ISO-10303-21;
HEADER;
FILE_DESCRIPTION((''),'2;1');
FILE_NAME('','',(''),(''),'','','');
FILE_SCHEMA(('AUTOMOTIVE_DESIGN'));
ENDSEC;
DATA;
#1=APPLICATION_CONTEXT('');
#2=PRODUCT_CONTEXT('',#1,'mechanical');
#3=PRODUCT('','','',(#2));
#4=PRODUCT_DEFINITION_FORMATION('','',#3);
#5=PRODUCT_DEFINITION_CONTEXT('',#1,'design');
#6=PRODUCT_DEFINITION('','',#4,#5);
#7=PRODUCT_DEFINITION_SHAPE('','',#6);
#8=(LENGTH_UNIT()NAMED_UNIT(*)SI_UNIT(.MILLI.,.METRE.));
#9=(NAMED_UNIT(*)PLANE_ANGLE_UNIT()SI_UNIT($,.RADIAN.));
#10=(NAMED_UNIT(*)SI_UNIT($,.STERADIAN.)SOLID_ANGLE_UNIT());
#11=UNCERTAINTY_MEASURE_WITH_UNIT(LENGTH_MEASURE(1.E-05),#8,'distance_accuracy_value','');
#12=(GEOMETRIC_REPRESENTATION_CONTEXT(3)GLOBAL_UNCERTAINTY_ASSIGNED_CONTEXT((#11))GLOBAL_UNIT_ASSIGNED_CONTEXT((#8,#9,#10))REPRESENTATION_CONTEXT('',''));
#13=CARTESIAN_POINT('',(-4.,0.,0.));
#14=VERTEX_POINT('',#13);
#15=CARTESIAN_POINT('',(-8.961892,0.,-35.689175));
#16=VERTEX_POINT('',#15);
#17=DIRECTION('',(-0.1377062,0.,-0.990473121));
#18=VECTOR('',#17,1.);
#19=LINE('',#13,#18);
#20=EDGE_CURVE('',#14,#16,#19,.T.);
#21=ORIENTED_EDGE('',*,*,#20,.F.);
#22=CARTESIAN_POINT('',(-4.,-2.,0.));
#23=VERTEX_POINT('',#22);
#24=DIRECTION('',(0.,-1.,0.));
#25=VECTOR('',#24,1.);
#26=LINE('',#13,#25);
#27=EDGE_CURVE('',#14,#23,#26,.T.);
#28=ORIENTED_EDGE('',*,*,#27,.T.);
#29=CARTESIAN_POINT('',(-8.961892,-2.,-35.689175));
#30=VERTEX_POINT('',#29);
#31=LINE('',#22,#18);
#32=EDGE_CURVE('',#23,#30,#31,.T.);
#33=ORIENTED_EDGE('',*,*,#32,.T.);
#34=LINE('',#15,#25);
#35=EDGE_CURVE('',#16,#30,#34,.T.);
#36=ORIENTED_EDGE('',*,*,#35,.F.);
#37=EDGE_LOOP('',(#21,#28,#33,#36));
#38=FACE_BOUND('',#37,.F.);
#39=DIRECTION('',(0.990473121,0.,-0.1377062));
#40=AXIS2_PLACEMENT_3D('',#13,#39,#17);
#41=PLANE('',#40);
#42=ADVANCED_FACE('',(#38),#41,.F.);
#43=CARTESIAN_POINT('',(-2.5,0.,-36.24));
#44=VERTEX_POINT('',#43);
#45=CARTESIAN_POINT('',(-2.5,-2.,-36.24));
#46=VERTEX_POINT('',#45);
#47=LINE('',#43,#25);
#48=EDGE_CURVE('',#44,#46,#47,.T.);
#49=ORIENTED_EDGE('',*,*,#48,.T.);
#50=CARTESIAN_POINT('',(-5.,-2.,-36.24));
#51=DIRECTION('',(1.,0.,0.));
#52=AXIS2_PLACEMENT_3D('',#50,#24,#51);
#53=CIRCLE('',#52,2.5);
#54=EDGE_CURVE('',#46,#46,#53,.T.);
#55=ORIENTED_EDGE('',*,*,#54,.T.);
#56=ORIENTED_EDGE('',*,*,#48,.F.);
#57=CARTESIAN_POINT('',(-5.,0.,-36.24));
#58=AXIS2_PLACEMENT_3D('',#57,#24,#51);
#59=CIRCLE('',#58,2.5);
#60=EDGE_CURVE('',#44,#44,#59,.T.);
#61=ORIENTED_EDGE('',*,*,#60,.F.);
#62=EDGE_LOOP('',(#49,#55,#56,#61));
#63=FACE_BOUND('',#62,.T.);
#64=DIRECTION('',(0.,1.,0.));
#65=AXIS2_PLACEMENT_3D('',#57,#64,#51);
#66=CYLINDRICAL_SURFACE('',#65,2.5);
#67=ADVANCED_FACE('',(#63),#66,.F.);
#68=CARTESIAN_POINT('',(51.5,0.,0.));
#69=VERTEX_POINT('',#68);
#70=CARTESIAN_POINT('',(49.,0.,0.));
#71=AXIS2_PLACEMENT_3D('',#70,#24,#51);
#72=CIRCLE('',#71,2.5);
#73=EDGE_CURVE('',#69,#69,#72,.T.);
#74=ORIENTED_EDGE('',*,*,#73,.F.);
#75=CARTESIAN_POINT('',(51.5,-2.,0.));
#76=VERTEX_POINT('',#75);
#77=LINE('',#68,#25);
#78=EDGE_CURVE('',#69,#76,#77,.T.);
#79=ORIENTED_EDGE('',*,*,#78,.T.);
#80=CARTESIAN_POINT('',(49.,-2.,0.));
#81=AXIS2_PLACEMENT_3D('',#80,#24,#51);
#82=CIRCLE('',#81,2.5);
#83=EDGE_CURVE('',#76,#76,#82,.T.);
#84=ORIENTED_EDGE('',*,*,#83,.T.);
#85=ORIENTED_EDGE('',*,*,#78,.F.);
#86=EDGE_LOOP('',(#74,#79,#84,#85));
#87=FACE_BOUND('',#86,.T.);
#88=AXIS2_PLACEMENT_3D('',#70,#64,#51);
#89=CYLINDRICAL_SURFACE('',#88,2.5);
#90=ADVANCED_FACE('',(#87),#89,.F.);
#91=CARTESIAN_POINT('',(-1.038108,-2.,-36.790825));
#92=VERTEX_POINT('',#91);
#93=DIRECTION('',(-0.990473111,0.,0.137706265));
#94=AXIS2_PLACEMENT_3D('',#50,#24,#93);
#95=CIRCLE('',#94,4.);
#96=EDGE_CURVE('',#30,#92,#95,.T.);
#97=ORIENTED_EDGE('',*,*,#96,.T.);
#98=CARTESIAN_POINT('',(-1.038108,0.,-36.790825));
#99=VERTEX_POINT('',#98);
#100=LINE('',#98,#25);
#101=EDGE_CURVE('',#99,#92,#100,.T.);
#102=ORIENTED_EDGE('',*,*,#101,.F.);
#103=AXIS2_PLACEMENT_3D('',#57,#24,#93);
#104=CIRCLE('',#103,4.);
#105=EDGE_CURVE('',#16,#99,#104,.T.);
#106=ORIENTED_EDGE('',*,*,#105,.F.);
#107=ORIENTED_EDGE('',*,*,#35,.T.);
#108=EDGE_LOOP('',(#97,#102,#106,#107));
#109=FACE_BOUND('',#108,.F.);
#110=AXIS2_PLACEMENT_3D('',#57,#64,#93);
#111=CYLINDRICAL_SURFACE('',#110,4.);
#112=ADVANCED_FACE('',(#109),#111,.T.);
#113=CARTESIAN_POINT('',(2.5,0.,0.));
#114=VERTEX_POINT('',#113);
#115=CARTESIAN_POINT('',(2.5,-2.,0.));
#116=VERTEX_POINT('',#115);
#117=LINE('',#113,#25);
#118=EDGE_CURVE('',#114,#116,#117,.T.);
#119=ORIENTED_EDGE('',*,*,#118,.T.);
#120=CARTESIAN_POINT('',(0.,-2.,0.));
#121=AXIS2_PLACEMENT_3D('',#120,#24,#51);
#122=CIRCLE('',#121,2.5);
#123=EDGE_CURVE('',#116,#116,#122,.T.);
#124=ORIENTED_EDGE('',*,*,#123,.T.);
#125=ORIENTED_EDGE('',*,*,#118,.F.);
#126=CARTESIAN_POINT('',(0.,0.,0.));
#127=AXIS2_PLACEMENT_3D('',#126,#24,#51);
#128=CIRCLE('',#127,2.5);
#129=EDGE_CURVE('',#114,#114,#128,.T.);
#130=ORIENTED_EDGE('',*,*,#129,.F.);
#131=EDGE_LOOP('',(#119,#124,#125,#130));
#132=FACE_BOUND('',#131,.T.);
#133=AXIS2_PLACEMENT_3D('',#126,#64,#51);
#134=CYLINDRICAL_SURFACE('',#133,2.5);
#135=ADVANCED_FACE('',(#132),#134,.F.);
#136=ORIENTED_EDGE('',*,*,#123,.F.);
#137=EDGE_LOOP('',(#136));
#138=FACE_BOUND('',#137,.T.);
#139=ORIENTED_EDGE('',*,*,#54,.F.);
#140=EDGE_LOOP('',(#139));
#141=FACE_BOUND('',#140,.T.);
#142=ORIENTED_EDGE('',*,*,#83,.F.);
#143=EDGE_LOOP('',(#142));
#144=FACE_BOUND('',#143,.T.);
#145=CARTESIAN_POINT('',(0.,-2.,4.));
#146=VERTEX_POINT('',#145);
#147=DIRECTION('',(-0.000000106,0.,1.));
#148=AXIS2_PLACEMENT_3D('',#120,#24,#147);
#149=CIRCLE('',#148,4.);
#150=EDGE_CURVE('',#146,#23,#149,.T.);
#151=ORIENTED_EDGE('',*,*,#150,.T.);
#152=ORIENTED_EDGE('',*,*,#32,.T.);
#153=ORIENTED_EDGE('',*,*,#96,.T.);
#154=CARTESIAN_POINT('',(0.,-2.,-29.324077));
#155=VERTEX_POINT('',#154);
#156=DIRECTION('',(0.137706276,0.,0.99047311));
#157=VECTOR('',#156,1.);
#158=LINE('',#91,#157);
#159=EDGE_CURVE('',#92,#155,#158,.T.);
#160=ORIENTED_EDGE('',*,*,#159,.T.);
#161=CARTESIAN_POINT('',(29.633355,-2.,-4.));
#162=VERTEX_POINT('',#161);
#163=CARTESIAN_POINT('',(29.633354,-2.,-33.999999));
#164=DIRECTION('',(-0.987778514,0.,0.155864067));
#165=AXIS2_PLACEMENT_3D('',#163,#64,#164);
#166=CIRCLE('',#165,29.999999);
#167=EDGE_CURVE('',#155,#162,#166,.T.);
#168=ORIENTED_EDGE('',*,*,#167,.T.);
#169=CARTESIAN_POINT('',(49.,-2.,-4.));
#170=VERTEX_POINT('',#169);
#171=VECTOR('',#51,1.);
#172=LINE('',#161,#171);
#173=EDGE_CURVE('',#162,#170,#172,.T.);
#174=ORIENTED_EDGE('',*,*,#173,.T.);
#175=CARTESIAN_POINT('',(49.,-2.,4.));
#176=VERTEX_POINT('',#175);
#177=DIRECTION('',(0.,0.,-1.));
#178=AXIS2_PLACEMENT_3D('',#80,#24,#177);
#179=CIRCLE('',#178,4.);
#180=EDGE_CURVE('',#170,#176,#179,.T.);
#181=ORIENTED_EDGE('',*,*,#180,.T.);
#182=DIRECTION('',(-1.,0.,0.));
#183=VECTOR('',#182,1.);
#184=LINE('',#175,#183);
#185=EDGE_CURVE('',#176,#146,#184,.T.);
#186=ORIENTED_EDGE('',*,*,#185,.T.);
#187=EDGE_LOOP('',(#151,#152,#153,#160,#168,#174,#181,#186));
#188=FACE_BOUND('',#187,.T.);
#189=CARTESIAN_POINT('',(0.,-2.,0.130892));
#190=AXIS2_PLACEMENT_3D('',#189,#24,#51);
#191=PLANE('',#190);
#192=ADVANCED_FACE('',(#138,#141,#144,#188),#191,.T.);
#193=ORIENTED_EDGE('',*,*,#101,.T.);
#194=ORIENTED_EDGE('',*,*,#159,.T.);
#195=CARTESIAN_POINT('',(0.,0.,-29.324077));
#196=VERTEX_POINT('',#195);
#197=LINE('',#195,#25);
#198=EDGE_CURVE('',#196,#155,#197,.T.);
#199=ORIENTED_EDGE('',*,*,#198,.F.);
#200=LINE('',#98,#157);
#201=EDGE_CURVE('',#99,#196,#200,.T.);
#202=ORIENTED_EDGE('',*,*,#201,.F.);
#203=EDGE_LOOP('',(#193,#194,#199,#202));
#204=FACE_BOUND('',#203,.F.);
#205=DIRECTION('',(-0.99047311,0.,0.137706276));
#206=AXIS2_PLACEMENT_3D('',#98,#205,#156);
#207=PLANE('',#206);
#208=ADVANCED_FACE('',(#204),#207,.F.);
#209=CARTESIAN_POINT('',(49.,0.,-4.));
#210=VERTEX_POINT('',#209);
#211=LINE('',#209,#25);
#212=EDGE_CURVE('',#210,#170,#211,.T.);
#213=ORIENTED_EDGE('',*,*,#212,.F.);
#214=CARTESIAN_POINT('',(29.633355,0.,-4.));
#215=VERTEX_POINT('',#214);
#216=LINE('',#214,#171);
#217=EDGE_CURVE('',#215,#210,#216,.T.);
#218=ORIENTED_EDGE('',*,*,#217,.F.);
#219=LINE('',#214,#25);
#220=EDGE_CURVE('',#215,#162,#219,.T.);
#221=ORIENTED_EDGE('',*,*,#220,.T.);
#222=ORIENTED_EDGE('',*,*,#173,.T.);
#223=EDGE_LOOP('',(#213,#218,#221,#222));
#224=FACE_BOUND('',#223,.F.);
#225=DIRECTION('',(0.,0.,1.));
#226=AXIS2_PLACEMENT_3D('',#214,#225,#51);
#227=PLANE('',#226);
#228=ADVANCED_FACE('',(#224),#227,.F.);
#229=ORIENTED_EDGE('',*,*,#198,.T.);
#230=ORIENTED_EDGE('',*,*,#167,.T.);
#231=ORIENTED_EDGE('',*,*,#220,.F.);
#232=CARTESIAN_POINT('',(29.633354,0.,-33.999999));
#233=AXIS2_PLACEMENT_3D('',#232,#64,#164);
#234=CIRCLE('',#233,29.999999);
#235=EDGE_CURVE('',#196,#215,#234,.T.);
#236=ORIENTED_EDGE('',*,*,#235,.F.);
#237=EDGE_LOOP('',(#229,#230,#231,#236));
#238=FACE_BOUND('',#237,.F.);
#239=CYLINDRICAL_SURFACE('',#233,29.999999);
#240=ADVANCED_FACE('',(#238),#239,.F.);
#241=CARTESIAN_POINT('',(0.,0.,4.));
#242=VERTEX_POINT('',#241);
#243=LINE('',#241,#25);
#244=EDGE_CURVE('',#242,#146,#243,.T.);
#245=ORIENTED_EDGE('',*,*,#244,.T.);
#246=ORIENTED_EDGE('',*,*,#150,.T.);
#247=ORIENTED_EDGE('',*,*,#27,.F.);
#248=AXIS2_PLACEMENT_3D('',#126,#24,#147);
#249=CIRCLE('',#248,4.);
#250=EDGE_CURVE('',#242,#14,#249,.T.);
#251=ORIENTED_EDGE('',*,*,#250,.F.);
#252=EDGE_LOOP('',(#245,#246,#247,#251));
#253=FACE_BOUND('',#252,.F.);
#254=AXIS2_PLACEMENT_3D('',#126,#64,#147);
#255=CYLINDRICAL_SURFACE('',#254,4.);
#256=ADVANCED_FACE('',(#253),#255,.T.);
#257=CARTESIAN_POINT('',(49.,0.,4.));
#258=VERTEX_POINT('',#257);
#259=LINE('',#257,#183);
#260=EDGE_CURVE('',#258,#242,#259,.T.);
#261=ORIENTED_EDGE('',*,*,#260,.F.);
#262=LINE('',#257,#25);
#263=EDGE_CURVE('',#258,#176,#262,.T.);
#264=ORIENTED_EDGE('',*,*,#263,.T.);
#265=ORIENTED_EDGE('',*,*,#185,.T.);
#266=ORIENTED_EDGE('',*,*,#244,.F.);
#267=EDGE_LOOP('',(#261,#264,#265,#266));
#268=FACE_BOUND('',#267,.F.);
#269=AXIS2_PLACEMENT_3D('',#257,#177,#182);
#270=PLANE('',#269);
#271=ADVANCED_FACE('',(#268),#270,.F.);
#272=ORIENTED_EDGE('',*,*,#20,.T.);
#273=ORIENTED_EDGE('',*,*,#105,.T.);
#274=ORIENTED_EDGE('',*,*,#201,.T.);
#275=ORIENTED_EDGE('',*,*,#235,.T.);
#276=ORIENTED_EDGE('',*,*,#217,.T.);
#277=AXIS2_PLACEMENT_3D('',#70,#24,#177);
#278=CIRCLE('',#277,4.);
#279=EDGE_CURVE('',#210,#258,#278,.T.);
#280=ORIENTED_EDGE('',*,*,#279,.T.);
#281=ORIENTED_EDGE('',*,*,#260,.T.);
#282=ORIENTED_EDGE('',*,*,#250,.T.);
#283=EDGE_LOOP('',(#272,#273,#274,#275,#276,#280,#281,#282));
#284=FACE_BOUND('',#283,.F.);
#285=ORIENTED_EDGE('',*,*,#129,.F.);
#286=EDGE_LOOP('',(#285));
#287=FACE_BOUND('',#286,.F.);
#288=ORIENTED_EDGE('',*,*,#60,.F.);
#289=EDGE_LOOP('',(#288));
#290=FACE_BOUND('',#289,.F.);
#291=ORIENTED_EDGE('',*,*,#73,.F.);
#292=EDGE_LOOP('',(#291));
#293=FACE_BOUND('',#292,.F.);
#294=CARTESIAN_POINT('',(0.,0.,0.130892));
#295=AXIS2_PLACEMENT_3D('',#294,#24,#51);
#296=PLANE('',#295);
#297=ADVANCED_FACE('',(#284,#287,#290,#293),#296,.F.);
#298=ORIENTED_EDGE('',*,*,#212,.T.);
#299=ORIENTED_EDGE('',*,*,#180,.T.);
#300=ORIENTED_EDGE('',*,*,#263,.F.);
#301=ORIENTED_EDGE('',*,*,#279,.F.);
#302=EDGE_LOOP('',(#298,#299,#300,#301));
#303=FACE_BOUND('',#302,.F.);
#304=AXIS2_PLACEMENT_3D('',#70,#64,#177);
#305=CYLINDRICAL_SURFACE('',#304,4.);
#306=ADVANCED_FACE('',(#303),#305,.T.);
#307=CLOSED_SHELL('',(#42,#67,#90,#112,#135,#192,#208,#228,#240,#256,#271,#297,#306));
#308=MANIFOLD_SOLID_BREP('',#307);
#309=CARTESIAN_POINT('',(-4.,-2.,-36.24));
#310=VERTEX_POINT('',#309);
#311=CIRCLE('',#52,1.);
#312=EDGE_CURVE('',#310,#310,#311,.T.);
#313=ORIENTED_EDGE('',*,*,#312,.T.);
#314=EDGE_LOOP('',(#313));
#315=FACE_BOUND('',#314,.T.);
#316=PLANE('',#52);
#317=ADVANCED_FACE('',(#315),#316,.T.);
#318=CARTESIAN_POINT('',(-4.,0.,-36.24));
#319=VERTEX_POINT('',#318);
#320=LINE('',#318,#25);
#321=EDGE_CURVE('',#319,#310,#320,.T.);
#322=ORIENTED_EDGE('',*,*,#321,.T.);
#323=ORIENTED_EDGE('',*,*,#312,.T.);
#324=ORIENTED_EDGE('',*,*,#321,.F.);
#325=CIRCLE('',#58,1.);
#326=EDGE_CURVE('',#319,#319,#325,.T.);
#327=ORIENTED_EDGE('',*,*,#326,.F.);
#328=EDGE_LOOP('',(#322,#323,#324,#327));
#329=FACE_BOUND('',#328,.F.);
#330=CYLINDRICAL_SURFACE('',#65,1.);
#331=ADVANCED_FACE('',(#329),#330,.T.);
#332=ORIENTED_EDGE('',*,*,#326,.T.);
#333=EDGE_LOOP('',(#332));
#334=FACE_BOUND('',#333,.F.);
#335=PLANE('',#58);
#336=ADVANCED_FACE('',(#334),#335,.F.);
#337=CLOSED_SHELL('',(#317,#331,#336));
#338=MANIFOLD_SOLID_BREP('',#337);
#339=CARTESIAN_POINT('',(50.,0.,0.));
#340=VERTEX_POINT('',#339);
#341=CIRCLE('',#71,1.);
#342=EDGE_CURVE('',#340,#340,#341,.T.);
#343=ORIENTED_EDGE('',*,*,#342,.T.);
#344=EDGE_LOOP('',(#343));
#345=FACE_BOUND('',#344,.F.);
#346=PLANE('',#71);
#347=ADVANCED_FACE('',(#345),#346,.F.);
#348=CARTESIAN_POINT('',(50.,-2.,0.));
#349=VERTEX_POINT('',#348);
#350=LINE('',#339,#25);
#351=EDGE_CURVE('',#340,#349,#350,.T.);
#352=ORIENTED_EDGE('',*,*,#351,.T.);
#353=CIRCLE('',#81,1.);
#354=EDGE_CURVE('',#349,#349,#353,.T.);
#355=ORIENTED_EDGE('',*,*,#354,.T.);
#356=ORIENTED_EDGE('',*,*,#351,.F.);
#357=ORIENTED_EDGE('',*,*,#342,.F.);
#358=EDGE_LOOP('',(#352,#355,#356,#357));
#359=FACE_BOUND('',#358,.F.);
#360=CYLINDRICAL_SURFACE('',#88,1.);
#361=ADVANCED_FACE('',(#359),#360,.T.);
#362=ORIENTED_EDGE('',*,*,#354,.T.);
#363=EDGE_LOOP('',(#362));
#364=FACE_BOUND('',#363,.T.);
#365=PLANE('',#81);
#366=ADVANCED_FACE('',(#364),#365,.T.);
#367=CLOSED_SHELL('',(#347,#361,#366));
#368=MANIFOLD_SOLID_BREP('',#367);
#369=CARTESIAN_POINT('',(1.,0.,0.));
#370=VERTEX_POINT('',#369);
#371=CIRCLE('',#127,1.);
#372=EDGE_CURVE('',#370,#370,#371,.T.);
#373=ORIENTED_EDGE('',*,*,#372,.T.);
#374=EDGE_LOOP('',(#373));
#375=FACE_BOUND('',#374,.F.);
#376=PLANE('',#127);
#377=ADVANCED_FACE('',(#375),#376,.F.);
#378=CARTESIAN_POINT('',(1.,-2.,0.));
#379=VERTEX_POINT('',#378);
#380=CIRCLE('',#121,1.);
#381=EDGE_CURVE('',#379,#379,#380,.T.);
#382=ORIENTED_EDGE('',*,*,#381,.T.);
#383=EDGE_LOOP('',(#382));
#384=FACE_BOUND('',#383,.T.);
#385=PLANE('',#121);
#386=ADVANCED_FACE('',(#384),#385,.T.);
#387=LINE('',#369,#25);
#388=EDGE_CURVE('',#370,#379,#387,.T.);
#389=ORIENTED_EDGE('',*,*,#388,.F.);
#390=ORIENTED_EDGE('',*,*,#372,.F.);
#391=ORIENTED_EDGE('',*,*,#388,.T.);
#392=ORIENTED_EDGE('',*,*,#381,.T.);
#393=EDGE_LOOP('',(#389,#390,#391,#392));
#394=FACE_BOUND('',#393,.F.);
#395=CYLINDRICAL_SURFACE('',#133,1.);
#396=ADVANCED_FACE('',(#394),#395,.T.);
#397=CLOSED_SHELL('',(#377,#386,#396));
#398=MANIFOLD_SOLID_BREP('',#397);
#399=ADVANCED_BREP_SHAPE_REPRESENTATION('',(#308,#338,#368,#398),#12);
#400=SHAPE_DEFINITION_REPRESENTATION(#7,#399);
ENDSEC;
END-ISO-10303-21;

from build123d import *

# Parameters (mm, degrees)
F0_R     = 2.5
F1_DEPTH = 2
F2_R     = 1
F3_DEPTH = 2


with BuildPart() as f1:
    # F0 (on Front) → F1 (new body)
    with BuildSketch(Plane.XZ):
        with BuildLine():
            ThreePointArc((-4, 0), (0, -4), (4, 0))
            ThreePointArc((4, 0), (2.828427, 2.828427), (0, 4))
            ThreePointArc((0, 4), (-2.828427, 2.828427), (-4, 0))
        make_face()
        Circle(F0_R, mode=Mode.SUBTRACT)
        with BuildLine():
            ThreePointArc((0, 4), (2.828427, 2.828427), (4, 0))
            ThreePointArc((4, 0), (0, -4), (-4, 0))
            Line((-4, 0), (-8.961892, -35.689175))
            ThreePointArc((-8.961892, -35.689175), (-5.550825, -40.201892), (-1.038108, -36.790825))
            Line((-1.038108, -36.790825), (0, -29.324077))
            ThreePointArc((0, -29.324077), (10.143328, -11.193447), (29.633355, -4))
            Line((29.633355, -4), (49, -4))
            ThreePointArc((49, -4), (53, 0), (49, 4))
            Line((49, 4), (0, 4))
        make_face()
        with Locations((-5, -36.24)):
            Circle(F0_R, mode=Mode.SUBTRACT)
        with Locations((49, 0)):
            Circle(F0_R, mode=Mode.SUBTRACT)
    extrude(amount=F1_DEPTH)


with BuildPart() as f3:
    # F2 (on Front) → F3 (new body)
    with BuildSketch(Plane.XZ):
        Circle(F2_R)
        with Locations((49, 0)):
            Circle(F2_R)
        with Locations((-5, -36.24)):
            Circle(F2_R)
    extrude(amount=F3_DEPTH)


solid = Compound([f1.part, f3.part])
